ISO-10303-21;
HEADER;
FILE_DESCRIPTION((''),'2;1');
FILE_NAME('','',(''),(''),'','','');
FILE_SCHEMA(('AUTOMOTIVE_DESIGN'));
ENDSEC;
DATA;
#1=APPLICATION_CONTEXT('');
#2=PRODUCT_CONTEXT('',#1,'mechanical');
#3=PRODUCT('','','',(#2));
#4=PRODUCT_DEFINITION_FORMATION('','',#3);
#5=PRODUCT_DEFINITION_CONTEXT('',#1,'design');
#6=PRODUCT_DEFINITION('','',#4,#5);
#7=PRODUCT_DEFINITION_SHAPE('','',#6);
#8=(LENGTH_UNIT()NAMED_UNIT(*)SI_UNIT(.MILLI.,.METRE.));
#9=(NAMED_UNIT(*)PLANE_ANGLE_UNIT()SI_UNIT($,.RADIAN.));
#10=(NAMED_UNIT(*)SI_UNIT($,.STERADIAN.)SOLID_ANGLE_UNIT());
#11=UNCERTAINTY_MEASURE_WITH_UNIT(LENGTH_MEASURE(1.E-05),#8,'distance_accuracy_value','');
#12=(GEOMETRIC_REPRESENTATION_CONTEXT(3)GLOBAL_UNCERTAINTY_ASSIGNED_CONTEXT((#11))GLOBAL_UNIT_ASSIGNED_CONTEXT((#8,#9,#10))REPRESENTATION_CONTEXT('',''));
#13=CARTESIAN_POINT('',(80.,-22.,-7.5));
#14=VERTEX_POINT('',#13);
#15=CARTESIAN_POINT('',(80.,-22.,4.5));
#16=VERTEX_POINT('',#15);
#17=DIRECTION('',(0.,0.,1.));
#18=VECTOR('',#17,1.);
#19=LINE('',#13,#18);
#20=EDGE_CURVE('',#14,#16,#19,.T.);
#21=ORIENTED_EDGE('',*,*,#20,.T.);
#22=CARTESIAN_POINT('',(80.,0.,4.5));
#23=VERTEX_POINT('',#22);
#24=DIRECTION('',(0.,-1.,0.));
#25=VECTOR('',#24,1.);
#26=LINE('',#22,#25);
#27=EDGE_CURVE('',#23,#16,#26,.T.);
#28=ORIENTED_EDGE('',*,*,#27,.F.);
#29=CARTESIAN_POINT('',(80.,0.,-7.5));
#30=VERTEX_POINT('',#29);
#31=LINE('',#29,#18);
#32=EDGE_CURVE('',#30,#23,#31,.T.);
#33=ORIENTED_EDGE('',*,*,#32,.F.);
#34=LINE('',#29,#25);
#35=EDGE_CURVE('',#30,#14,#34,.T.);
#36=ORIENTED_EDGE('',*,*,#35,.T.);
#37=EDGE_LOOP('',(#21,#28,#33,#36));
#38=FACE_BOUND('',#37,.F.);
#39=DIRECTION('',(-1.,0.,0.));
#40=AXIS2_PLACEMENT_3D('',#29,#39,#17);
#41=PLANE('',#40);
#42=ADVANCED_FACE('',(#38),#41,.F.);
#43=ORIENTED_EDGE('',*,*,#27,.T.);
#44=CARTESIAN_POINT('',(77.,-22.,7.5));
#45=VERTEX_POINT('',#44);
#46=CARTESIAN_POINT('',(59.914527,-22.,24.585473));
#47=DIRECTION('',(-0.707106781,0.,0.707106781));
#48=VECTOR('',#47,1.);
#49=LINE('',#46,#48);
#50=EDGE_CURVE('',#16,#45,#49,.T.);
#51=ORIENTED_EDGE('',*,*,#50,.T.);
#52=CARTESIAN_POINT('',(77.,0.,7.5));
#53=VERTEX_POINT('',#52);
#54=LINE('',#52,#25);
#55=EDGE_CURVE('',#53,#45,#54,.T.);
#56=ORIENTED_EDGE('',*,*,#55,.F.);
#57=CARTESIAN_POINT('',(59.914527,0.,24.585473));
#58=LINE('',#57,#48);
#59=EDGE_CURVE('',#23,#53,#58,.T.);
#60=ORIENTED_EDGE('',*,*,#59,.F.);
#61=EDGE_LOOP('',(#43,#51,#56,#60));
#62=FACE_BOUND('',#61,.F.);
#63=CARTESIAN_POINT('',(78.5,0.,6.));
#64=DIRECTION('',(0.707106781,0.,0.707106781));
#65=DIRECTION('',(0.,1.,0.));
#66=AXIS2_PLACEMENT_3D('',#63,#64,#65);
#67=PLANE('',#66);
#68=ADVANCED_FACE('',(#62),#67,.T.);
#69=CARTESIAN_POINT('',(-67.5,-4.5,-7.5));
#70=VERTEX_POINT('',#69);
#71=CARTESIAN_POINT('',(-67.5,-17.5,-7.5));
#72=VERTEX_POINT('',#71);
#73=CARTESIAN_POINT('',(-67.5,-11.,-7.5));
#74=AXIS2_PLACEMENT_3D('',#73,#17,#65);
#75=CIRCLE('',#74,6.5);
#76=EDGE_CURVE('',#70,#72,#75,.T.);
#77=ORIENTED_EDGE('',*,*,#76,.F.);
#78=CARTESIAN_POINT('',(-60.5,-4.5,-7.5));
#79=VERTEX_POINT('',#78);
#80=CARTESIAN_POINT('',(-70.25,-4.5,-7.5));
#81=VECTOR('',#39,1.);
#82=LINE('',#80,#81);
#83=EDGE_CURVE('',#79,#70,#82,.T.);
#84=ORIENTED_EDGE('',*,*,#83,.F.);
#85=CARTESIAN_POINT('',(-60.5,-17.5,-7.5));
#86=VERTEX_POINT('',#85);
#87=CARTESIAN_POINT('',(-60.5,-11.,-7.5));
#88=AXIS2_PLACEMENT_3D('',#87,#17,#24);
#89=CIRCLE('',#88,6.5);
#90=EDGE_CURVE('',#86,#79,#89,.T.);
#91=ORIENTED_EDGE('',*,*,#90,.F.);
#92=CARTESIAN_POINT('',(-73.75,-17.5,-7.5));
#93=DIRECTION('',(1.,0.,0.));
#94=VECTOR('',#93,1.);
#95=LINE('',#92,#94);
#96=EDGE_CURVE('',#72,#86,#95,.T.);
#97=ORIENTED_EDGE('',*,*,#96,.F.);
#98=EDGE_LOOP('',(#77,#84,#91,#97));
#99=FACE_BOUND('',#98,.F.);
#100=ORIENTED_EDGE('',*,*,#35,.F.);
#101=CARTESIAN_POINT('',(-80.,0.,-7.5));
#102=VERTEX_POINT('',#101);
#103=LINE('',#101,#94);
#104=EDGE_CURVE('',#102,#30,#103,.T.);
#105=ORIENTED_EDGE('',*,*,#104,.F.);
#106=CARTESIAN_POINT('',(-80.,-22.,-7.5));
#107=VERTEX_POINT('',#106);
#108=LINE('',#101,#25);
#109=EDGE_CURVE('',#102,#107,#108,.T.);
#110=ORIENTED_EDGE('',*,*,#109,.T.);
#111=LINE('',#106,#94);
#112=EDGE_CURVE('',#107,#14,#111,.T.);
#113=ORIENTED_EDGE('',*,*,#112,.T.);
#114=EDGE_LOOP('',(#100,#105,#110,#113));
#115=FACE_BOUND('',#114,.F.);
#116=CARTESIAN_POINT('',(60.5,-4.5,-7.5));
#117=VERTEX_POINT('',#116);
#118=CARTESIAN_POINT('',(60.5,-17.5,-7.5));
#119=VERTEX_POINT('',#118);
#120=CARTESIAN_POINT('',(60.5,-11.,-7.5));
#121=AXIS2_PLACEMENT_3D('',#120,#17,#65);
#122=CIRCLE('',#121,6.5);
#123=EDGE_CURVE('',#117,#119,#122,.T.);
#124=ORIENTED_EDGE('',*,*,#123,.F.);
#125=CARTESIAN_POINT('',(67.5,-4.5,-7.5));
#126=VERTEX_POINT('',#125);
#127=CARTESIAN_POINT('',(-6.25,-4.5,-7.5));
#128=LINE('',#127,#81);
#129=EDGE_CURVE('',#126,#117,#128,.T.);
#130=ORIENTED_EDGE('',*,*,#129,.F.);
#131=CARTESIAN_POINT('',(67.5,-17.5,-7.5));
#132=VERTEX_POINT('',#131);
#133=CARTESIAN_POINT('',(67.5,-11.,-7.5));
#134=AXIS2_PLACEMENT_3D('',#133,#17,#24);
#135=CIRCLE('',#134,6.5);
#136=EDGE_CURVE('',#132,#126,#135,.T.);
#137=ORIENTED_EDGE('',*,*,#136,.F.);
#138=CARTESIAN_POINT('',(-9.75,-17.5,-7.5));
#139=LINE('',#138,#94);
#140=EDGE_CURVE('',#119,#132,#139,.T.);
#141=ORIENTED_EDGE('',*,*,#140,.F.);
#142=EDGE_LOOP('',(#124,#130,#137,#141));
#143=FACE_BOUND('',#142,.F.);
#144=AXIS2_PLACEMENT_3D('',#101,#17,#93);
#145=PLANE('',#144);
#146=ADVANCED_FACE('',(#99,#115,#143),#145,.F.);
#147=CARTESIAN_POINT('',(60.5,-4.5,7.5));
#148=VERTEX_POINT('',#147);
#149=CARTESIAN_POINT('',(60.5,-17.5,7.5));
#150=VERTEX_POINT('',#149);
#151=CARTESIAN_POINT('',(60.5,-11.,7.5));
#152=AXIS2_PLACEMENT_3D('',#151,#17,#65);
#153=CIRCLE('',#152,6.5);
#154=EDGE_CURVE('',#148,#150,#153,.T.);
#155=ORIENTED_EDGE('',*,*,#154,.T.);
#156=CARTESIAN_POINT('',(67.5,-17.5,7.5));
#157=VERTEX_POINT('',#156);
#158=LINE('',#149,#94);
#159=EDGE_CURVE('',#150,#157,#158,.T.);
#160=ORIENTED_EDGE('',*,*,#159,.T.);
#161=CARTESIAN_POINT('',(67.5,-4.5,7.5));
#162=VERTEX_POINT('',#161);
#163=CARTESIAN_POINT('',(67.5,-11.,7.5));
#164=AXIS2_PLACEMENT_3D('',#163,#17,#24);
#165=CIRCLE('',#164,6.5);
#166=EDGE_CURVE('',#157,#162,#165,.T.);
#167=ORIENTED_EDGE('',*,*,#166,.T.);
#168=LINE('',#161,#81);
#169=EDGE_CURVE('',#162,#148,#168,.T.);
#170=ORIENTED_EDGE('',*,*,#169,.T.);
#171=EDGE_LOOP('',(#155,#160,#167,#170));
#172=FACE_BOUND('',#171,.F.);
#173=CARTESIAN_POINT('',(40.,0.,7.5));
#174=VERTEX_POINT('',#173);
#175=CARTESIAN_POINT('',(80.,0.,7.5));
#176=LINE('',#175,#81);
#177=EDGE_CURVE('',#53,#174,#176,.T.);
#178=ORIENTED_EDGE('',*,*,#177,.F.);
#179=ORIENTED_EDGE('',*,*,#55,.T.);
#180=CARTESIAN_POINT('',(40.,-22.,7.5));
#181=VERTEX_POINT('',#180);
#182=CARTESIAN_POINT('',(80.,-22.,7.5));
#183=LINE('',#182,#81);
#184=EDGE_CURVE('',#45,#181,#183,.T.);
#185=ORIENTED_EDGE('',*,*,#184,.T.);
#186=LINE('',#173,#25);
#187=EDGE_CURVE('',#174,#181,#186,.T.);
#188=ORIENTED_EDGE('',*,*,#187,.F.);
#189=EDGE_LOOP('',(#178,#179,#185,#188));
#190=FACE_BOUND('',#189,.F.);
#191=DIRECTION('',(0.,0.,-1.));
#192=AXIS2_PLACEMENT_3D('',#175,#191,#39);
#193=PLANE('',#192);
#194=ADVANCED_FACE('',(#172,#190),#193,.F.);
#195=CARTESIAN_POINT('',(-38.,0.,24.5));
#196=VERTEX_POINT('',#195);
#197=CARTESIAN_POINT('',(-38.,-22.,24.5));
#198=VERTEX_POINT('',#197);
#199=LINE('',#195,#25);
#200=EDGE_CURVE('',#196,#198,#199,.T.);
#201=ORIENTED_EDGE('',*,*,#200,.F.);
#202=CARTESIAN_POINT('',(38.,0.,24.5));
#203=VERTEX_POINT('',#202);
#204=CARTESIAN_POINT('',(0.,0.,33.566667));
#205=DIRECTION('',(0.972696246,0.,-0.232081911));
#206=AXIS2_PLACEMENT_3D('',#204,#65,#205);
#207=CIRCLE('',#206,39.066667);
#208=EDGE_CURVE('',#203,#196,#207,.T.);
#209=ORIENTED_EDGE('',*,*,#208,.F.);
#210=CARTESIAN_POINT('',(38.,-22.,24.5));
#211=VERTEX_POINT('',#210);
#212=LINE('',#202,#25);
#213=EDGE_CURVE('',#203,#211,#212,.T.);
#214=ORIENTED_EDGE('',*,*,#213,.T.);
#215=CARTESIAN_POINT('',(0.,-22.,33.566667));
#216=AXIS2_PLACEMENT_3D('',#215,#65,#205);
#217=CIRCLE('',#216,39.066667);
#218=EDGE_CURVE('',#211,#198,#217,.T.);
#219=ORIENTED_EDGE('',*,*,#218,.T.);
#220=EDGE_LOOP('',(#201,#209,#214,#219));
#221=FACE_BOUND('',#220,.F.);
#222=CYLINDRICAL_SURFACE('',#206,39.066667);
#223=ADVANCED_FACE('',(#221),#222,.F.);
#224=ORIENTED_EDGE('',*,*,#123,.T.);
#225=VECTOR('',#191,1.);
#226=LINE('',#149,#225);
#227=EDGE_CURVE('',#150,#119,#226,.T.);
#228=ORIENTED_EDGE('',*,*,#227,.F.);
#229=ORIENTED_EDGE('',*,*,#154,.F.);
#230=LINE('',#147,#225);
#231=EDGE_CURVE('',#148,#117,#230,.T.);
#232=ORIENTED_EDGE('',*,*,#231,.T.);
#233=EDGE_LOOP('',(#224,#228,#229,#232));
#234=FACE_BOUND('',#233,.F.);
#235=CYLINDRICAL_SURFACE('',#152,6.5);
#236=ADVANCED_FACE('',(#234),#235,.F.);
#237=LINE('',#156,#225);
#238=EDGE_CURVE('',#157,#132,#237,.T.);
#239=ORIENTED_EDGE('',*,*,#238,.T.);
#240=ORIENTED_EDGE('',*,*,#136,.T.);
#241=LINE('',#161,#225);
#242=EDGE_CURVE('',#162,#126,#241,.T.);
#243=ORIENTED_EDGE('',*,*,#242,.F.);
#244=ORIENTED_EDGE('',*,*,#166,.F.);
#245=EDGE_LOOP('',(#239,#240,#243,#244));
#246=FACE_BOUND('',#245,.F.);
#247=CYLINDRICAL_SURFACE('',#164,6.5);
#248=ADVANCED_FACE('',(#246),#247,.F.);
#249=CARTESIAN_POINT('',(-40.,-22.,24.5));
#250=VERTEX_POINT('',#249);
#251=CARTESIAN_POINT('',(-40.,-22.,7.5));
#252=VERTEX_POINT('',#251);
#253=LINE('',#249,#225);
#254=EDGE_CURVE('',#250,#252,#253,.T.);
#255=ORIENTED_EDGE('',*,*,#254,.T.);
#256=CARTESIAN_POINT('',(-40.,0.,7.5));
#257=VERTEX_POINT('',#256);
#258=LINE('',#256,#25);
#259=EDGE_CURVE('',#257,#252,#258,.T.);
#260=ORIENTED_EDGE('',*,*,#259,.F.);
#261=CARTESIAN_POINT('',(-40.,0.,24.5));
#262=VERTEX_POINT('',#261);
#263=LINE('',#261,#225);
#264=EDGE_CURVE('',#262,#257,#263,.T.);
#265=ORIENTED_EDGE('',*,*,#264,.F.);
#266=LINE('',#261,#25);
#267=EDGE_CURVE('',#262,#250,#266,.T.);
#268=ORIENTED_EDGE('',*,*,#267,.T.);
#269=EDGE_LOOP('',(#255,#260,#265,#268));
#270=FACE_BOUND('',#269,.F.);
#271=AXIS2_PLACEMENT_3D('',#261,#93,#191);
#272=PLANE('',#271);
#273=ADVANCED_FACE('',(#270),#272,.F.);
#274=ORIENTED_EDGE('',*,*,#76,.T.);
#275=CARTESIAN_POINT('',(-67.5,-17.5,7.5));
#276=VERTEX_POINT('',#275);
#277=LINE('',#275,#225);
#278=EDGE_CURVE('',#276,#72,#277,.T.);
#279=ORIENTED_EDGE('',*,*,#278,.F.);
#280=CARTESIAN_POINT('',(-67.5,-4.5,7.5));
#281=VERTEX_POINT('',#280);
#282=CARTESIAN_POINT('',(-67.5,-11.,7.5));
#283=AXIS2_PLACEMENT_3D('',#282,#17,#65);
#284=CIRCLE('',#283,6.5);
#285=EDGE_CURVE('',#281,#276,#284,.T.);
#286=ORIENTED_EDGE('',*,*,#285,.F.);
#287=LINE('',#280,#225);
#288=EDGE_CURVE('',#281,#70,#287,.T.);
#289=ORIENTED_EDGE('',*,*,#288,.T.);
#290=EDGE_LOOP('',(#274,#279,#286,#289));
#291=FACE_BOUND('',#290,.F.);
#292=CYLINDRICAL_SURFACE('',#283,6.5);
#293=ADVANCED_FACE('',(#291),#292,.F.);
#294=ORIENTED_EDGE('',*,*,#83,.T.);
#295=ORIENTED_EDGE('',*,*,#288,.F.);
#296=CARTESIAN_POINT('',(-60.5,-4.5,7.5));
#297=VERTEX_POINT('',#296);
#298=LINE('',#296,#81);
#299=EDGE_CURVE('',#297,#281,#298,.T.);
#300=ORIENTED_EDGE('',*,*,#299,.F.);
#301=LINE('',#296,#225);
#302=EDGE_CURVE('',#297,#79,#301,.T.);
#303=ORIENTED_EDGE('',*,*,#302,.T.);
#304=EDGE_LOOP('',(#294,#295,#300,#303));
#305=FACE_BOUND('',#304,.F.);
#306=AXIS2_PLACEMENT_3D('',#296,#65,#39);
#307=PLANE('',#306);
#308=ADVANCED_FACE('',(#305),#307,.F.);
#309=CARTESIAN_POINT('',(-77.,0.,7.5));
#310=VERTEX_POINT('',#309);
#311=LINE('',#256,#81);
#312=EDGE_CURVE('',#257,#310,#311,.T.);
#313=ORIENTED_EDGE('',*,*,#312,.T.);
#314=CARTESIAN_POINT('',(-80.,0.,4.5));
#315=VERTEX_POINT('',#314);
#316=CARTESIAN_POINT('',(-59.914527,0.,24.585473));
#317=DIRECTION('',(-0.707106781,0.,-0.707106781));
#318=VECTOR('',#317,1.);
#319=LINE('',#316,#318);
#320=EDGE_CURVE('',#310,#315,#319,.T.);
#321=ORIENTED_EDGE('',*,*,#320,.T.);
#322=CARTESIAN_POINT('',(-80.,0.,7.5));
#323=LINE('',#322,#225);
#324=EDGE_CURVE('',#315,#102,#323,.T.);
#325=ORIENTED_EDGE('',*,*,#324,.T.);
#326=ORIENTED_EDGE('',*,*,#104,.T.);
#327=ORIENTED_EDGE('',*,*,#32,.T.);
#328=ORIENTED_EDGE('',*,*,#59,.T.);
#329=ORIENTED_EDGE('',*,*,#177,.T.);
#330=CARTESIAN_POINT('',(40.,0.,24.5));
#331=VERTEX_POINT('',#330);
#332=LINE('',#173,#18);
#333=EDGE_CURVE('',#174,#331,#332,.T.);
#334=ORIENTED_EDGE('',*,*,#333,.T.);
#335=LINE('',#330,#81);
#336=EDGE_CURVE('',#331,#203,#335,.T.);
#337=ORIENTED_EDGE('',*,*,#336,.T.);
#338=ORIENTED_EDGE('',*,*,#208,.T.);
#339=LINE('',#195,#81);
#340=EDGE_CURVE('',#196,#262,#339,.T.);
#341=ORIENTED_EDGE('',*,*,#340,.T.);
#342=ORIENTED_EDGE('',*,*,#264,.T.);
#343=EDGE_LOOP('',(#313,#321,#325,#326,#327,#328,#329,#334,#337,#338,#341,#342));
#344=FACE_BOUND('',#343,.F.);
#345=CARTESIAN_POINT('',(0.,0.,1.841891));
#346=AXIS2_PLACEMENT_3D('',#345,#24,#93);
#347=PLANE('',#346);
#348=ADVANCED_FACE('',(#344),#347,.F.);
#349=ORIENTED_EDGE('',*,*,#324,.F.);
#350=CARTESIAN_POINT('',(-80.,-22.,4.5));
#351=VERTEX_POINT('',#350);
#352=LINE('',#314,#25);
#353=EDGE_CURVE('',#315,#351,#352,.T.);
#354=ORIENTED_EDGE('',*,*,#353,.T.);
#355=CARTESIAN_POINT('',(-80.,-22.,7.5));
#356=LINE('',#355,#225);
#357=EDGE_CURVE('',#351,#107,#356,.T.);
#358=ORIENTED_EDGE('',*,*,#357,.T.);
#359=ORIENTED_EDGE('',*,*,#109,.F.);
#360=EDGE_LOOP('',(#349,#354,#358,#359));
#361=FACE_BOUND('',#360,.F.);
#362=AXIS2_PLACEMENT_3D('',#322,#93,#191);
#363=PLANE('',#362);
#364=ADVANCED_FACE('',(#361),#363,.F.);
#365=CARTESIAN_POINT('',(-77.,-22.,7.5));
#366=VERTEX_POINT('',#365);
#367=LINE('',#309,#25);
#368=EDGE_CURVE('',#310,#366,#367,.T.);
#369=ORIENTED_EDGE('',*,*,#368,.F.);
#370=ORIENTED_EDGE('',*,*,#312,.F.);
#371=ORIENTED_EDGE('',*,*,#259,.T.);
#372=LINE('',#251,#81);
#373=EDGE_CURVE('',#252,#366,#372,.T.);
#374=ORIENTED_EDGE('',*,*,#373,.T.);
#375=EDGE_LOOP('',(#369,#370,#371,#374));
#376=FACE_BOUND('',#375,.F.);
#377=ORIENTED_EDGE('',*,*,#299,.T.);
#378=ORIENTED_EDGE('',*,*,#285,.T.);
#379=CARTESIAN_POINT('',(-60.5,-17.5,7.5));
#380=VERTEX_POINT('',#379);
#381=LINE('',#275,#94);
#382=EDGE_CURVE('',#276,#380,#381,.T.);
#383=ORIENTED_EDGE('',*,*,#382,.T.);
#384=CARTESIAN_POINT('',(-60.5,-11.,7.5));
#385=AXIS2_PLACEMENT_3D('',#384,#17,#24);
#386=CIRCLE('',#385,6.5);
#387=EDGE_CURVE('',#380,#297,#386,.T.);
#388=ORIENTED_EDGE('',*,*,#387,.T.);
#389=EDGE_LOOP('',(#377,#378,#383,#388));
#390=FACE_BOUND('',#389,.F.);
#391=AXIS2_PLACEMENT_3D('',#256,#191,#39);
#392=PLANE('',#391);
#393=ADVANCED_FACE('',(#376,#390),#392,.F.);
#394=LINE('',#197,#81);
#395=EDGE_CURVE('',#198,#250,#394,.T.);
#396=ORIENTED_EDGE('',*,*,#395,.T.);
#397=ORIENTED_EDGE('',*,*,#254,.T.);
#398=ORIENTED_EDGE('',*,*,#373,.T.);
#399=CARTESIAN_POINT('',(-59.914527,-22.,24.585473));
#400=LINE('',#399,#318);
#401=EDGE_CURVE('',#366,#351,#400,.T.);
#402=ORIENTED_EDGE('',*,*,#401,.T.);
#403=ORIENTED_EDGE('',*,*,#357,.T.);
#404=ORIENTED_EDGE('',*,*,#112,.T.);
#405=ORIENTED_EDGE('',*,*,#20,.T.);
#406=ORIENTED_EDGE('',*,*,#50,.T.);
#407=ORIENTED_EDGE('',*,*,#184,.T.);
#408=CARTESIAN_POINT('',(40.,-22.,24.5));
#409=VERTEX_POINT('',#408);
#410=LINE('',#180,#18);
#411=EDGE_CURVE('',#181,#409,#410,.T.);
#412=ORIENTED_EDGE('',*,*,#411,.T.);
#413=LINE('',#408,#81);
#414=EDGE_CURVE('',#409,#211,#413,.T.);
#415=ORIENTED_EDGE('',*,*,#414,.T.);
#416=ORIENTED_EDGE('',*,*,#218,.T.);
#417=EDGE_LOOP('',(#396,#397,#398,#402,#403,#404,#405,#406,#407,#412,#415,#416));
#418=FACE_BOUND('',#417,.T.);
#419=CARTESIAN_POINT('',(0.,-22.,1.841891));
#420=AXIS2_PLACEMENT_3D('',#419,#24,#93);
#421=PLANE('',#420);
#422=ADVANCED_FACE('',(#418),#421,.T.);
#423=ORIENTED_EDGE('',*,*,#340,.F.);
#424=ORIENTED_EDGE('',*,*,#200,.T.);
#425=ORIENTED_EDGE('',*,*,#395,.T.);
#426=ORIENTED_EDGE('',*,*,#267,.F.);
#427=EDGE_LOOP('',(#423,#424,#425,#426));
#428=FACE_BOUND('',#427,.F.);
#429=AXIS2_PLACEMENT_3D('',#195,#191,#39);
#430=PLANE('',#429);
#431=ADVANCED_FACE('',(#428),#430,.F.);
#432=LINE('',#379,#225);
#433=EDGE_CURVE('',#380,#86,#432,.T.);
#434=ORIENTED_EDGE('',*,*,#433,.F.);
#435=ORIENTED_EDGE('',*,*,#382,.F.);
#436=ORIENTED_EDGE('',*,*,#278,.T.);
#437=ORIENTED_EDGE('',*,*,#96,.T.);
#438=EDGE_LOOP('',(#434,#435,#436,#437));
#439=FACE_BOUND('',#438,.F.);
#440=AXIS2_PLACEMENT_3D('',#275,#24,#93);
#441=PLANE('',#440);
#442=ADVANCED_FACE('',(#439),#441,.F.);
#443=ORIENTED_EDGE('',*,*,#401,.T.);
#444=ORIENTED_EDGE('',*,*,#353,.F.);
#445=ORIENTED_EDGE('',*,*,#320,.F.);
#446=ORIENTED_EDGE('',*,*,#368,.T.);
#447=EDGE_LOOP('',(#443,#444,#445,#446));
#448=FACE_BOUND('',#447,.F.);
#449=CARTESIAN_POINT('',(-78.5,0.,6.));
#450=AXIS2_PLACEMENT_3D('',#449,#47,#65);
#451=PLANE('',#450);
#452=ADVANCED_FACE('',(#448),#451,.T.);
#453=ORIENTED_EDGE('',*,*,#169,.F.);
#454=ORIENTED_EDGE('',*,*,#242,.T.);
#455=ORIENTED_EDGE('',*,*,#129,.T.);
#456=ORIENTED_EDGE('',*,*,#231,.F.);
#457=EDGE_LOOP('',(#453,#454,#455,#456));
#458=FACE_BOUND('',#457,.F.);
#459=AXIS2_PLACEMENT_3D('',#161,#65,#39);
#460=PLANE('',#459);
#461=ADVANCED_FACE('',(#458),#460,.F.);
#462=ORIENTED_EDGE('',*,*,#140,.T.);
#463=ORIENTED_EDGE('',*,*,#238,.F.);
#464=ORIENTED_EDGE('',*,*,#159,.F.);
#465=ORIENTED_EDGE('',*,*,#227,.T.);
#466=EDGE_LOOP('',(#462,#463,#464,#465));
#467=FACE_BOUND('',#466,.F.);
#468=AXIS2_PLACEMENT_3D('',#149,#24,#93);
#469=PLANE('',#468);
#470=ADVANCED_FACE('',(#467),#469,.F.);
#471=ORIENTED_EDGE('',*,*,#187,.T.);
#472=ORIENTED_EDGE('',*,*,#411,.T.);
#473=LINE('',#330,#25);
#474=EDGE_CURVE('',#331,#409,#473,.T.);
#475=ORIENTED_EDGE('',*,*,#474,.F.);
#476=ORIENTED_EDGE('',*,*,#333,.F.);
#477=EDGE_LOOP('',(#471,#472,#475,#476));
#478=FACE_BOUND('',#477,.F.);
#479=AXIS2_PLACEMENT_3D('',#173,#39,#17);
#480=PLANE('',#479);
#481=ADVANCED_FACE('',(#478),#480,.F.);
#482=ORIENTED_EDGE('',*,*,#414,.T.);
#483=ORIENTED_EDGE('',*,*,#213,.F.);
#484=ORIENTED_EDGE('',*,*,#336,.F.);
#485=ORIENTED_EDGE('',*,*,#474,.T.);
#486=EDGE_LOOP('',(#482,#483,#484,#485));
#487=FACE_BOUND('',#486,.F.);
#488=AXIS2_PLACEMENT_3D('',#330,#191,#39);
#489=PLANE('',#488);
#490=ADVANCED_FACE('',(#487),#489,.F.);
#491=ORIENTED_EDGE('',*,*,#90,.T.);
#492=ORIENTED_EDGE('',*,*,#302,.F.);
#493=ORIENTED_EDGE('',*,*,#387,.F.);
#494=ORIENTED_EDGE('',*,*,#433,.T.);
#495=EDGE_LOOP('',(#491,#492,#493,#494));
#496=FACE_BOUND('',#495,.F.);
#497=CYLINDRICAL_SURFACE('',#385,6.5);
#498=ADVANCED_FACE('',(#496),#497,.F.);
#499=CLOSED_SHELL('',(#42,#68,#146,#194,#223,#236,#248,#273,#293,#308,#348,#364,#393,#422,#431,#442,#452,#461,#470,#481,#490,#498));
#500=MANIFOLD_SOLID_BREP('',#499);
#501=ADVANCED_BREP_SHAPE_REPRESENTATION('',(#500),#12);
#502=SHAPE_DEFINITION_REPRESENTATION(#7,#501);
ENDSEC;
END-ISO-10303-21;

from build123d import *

# Parameters (mm, degrees)
F1_DEPTH = 22
F2_SIZE  = 3
F4_DEPTH = 15.001


with BuildPart() as f1:
    # F0 (on Front) → F1 (new body)
    with BuildSketch(Plane.XZ):
        with BuildLine():
            Line((-80, -7.5), (80, -7.5))
            Line((80, -7.5), (80, 7.5))
            Line((80, 7.5), (40, 7.5))
            Line((40, 7.5), (40, 24.5))
            Line((40, 24.5), (38, 24.5))
            ThreePointArc((38, 24.5), (0, -5.5), (-38, 24.5))
            Line((-38, 24.5), (-40, 24.5))
            Line((-40, 24.5), (-40, 7.5))
            Line((-40, 7.5), (-80, 7.5))
            Line((-80, 7.5), (-80, -7.5))
        make_face()
    extrude(amount=F1_DEPTH)

    # F2
    f2_edges = [f1.edges().sort_by_distance(p)[0] for p in [
        (-80, -11, 7.5),
        (80, -11, 7.5),
    ]]
    chamfer(f2_edges, length=F2_SIZE)

    # F3 (on face) → F4 (cut, through all)
    with BuildSketch(Plane.XY.offset(7.5)):
        with BuildLine():
            Line((-60.5, -4.5), (-67.5, -4.5))
            ThreePointArc((-67.5, -4.5), (-74, -11), (-67.5, -17.5))
            Line((-67.5, -17.5), (-60.5, -17.5))
            ThreePointArc((-60.5, -17.5), (-54, -11), (-60.5, -4.5))
        make_face()
        with BuildLine():
            ThreePointArc((60.5, -4.5), (54, -11), (60.5, -17.5))
            Line((60.5, -17.5), (67.5, -17.5))
            ThreePointArc((67.5, -17.5), (74, -11), (67.5, -4.5))
            Line((67.5, -4.5), (60.5, -4.5))
        make_face()
    extrude(amount=-F4_DEPTH, mode=Mode.SUBTRACT)


solid = f1.part
